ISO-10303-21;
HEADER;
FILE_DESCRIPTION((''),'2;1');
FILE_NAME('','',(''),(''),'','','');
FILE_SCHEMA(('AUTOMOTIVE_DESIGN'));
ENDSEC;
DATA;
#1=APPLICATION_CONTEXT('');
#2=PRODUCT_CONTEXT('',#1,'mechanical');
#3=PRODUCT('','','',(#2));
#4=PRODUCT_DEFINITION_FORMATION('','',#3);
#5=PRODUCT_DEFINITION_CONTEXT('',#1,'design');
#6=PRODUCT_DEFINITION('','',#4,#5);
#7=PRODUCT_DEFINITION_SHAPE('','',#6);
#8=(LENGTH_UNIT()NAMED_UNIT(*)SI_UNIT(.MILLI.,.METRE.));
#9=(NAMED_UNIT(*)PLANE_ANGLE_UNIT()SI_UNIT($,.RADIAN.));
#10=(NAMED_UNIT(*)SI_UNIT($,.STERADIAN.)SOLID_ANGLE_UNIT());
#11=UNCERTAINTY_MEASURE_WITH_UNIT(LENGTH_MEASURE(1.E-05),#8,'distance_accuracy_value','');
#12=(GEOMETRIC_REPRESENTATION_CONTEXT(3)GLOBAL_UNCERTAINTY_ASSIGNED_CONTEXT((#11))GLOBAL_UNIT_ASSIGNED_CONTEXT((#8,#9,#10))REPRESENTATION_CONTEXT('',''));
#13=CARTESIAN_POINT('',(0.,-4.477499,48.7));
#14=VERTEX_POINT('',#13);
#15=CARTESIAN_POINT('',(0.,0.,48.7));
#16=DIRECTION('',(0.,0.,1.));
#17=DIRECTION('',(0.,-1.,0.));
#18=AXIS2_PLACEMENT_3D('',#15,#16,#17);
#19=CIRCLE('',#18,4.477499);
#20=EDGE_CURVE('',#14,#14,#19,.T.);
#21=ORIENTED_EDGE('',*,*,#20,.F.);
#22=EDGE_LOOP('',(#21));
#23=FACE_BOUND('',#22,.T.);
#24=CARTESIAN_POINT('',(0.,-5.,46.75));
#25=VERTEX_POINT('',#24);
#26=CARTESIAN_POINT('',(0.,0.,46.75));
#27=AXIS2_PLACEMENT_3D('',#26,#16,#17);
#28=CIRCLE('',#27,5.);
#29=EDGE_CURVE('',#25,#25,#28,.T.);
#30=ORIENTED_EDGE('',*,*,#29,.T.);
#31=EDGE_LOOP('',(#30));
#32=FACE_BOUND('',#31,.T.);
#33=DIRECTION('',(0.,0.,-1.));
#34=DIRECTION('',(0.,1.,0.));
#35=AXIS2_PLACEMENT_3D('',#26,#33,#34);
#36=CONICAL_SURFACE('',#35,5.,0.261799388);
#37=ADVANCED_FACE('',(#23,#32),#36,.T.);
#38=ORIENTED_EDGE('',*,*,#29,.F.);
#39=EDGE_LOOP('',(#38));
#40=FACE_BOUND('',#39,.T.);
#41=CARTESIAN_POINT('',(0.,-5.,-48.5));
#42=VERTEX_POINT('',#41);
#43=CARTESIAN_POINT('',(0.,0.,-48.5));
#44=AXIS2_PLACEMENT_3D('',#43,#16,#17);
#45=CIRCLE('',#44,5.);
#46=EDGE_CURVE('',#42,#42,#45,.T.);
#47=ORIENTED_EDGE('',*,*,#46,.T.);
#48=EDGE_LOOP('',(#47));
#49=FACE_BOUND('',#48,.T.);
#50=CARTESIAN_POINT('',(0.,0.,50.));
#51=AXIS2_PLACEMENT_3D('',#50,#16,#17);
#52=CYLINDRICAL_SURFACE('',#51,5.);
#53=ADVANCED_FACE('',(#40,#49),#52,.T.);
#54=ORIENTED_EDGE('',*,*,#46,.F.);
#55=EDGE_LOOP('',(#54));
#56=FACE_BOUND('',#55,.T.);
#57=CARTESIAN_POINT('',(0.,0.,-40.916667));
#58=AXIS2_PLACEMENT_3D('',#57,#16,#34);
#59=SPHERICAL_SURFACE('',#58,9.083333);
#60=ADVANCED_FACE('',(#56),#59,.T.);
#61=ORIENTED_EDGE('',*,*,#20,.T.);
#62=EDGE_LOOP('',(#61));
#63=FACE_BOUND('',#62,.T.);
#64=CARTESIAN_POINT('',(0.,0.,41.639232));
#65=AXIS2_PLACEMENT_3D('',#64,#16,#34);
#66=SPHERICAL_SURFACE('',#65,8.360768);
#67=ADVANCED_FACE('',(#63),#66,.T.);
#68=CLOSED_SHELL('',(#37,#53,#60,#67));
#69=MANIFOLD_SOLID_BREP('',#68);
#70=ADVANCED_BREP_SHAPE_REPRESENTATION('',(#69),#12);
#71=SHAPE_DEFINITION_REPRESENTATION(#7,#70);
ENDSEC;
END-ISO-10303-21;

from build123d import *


with BuildPart() as part:
    # Sketch3 → Revolve1 (revolve)
    with BuildSketch(Plane(origin=(0, 0, 0), x_dir=(0, 0, -1), z_dir=(1, 0, 0))):
        with BuildLine():
            Line((-50, 0), (50, 0))
            ThreePointArc((50, 0), (49.616922091, 2.610076627), (48.5, 5))
            Line((48.5, 5), (-46.75, 5))
            Line((-46.75, 5), (-48.7, 4.477499075))
            ThreePointArc((-48.7, 4.477499075), (-49.668425132, 2.331201298), (-50, 0))
        make_face()
    revolve(axis=Axis((0, 0, 50), (0, 0, -1)))


solid = part.part
